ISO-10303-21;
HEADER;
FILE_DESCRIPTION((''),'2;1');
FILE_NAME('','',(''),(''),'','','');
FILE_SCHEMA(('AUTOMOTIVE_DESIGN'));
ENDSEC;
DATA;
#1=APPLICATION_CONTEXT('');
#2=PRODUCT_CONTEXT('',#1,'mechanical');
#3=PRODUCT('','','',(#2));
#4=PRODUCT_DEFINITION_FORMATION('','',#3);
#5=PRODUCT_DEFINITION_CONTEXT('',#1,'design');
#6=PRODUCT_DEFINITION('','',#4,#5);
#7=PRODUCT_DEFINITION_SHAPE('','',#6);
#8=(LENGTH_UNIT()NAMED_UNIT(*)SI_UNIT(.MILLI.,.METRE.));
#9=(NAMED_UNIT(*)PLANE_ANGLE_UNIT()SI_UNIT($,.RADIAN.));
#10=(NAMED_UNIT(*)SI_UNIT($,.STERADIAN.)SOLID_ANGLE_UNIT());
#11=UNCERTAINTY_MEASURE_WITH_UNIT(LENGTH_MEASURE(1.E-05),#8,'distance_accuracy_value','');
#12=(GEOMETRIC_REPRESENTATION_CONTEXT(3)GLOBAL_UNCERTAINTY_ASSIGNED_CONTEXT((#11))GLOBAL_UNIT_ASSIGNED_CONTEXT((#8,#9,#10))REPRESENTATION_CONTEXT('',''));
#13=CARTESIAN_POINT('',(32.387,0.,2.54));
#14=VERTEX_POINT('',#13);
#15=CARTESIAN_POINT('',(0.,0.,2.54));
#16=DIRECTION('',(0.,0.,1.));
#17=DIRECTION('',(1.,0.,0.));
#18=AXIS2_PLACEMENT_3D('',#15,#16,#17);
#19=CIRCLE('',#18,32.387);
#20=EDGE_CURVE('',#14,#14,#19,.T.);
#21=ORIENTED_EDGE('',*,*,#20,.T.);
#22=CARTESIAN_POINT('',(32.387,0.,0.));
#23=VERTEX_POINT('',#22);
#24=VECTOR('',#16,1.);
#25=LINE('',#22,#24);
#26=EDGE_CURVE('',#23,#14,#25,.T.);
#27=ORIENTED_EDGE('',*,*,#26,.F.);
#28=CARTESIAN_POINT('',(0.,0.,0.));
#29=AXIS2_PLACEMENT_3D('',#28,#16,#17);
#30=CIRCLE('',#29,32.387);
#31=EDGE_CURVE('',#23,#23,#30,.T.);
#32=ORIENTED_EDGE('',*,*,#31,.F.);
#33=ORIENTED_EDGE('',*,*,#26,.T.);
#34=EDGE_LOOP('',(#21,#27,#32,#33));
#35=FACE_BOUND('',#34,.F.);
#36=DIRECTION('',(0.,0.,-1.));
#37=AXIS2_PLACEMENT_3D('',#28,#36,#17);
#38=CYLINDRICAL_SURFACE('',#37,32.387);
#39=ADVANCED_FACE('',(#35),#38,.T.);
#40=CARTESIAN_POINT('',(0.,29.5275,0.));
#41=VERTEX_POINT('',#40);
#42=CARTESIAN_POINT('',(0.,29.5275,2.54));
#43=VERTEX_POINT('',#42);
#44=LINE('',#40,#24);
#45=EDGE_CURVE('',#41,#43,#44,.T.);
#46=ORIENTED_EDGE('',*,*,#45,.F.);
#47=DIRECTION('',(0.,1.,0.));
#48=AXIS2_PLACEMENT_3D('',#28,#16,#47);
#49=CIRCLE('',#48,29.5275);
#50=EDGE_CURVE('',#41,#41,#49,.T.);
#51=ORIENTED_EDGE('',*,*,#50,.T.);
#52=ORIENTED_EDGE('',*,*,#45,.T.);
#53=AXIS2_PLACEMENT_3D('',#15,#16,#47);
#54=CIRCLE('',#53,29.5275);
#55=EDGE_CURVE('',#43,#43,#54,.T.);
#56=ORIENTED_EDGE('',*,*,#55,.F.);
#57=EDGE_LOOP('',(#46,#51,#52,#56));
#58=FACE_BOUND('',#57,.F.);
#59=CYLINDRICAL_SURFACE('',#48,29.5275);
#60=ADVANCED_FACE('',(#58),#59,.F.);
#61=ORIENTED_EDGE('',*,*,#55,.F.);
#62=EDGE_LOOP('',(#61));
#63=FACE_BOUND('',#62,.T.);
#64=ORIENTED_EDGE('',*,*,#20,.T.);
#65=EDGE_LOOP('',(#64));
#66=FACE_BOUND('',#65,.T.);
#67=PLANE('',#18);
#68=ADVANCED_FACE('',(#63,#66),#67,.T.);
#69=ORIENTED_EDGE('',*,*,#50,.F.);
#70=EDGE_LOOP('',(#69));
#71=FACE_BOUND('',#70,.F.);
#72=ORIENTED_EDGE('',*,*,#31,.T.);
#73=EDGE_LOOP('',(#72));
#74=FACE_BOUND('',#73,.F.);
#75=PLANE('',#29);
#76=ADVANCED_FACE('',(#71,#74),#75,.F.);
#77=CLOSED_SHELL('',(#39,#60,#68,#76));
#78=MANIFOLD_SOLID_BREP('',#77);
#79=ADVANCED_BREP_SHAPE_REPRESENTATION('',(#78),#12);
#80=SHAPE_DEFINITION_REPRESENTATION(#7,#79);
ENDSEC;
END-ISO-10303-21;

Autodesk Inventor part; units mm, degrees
ref_plane "YZ Plane" through (0, 0, 0) normal (1, 0, 0) x (0, 1, 0)
ref_plane "XZ Plane" through (0, 0, 0) normal (0, 1, 0) x (-1, 0, 0)
ref_plane "XY Plane" through (0, 0, 0) normal (0, 0, 1) x (1, 0, 0)
sketch "Sketch1" plane through (0, 0, 0) normal (0, 0, 1) x (1, 0, 0)
  circle A0 centre (0, 0) radius 32.387
extrude "Extrusion1" add sketch "Sketch1" along normal blind 2.54
sketch "Sketch2" plane through (0, 0, 0) normal (0, 0, -1) x (-1, 0, 0)
  circle A0 centre (0, 0) radius 29.3964
hole "Hole1" at (0, 0, 0) at (0, 0, 0) direction (0, 0, 1) diameter 59.055 end through all
properties part number "RTS  o-ring"
